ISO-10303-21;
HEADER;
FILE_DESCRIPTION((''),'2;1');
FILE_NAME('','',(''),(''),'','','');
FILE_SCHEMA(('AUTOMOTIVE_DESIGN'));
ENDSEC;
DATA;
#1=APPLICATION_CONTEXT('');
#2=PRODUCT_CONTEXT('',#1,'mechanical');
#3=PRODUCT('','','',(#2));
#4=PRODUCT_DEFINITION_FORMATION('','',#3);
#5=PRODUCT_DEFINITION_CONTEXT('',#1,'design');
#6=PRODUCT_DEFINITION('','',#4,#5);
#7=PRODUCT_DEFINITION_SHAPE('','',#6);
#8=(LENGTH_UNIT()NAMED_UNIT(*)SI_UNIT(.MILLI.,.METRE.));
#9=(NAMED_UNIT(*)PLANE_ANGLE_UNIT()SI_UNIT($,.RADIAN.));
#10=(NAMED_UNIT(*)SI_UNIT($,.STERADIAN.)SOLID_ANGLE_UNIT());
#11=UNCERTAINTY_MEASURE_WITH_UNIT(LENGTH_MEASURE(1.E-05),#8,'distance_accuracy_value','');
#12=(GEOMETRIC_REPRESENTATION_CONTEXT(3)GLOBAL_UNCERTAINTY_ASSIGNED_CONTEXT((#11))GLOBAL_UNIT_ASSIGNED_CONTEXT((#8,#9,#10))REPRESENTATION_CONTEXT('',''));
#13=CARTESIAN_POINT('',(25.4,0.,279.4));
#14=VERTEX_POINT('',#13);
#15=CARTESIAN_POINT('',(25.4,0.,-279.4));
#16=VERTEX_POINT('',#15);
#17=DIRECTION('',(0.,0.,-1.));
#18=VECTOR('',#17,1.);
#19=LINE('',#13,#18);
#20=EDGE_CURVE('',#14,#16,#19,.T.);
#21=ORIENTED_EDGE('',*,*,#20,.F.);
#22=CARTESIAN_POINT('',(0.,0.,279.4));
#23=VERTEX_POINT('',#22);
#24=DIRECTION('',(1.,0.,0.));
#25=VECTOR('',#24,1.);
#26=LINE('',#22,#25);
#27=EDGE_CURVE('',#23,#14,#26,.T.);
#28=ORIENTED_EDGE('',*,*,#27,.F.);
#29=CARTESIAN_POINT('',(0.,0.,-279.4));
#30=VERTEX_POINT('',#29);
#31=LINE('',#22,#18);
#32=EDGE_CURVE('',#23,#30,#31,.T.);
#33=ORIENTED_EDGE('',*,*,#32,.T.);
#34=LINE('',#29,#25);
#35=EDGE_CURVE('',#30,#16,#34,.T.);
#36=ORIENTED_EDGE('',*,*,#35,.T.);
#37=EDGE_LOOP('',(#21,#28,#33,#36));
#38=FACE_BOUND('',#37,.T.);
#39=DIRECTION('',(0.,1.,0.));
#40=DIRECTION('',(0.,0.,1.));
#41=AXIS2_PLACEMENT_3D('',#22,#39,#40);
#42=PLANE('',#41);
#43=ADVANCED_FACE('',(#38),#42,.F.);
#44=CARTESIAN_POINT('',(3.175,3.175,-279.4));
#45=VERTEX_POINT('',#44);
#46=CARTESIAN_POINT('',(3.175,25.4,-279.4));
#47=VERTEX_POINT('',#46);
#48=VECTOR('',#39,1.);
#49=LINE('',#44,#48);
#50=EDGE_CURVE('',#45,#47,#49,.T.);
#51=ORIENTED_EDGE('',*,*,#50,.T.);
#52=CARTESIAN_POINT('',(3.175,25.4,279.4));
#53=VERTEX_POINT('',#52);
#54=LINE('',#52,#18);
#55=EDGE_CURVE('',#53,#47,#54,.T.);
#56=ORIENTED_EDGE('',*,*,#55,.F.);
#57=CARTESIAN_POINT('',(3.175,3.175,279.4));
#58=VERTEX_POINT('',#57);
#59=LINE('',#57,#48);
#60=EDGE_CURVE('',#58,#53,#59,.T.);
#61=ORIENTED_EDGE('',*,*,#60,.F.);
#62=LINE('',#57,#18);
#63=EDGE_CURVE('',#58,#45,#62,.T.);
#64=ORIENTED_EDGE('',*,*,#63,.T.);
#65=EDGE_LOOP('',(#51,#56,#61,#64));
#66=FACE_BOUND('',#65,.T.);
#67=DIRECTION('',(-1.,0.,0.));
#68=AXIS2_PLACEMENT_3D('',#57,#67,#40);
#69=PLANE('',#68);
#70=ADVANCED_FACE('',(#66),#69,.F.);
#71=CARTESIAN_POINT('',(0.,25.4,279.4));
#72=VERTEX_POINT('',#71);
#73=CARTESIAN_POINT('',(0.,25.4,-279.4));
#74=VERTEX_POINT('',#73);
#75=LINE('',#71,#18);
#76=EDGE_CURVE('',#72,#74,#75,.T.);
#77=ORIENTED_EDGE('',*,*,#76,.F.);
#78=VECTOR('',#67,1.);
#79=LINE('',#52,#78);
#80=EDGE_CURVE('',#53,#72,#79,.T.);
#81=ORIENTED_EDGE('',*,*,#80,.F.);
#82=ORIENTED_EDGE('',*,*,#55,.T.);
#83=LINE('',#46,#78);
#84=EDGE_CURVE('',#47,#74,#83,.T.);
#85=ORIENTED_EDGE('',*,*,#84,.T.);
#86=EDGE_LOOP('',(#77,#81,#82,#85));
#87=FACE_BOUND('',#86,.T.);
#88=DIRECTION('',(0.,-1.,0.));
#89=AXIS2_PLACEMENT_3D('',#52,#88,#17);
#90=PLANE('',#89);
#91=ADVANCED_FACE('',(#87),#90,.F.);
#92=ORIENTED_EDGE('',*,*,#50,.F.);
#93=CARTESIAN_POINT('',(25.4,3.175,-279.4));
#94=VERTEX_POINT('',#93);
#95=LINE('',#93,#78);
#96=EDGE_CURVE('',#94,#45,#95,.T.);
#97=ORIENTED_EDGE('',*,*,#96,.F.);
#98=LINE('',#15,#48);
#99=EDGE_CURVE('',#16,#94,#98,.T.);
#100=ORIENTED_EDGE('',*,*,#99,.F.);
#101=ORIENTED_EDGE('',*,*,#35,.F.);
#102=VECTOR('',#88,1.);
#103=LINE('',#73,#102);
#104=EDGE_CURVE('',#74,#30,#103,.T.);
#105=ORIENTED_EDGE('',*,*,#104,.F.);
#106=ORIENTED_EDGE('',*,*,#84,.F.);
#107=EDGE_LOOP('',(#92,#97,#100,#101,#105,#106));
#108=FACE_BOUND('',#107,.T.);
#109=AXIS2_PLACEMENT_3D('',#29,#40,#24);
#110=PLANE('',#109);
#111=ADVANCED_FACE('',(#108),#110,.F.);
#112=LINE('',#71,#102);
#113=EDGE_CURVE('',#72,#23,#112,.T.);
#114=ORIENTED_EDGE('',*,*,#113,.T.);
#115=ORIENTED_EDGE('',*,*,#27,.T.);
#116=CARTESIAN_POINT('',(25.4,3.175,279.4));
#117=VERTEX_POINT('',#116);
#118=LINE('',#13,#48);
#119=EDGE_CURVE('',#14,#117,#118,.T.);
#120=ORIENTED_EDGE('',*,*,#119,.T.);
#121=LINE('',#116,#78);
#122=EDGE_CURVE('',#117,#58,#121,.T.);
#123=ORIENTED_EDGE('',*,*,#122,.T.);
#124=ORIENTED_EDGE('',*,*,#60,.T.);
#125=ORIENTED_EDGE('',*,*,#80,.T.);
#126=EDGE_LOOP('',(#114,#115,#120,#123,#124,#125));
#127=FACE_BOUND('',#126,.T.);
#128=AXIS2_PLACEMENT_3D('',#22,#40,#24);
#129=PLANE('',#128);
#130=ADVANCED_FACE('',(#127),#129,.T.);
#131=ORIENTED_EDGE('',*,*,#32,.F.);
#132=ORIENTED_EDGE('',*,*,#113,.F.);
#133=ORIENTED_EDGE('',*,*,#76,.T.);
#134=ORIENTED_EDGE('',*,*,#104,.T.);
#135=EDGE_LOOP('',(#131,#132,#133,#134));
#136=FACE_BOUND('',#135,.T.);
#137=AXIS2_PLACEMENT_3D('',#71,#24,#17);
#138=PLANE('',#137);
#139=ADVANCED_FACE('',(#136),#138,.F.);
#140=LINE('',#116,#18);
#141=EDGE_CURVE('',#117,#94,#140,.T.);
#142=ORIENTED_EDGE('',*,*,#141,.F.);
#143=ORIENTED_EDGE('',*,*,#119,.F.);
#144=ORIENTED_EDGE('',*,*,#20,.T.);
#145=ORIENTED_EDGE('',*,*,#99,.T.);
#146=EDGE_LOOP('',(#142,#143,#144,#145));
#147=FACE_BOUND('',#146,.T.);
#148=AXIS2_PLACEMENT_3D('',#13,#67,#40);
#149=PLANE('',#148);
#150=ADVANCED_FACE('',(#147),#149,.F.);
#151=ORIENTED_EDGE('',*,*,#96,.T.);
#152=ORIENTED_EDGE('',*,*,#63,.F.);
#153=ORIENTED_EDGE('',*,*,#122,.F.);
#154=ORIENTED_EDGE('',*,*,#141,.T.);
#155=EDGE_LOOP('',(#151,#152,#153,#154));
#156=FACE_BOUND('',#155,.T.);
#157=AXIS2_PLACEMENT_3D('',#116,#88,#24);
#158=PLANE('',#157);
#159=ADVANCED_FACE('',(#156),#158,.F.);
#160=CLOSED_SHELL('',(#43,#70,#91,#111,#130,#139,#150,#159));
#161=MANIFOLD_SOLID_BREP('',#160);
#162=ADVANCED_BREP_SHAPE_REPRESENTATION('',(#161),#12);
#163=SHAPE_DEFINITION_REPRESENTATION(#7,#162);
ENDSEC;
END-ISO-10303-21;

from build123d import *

# Parameters (mm, degrees)
BOSS_EXTRUDE1_DEPTH = 279.4


with BuildPart() as part:
    # Sketch1 → Boss-Extrude1 (new body, symmetric)
    with BuildSketch(Plane.XY):
        Polygon((0, 25.4), (0, 0), (25.4, 0), (25.4, 3.175), (3.175, 3.175), (3.175, 25.4), align=None)
    extrude(amount=BOSS_EXTRUDE1_DEPTH, both=True)


solid = part.part
